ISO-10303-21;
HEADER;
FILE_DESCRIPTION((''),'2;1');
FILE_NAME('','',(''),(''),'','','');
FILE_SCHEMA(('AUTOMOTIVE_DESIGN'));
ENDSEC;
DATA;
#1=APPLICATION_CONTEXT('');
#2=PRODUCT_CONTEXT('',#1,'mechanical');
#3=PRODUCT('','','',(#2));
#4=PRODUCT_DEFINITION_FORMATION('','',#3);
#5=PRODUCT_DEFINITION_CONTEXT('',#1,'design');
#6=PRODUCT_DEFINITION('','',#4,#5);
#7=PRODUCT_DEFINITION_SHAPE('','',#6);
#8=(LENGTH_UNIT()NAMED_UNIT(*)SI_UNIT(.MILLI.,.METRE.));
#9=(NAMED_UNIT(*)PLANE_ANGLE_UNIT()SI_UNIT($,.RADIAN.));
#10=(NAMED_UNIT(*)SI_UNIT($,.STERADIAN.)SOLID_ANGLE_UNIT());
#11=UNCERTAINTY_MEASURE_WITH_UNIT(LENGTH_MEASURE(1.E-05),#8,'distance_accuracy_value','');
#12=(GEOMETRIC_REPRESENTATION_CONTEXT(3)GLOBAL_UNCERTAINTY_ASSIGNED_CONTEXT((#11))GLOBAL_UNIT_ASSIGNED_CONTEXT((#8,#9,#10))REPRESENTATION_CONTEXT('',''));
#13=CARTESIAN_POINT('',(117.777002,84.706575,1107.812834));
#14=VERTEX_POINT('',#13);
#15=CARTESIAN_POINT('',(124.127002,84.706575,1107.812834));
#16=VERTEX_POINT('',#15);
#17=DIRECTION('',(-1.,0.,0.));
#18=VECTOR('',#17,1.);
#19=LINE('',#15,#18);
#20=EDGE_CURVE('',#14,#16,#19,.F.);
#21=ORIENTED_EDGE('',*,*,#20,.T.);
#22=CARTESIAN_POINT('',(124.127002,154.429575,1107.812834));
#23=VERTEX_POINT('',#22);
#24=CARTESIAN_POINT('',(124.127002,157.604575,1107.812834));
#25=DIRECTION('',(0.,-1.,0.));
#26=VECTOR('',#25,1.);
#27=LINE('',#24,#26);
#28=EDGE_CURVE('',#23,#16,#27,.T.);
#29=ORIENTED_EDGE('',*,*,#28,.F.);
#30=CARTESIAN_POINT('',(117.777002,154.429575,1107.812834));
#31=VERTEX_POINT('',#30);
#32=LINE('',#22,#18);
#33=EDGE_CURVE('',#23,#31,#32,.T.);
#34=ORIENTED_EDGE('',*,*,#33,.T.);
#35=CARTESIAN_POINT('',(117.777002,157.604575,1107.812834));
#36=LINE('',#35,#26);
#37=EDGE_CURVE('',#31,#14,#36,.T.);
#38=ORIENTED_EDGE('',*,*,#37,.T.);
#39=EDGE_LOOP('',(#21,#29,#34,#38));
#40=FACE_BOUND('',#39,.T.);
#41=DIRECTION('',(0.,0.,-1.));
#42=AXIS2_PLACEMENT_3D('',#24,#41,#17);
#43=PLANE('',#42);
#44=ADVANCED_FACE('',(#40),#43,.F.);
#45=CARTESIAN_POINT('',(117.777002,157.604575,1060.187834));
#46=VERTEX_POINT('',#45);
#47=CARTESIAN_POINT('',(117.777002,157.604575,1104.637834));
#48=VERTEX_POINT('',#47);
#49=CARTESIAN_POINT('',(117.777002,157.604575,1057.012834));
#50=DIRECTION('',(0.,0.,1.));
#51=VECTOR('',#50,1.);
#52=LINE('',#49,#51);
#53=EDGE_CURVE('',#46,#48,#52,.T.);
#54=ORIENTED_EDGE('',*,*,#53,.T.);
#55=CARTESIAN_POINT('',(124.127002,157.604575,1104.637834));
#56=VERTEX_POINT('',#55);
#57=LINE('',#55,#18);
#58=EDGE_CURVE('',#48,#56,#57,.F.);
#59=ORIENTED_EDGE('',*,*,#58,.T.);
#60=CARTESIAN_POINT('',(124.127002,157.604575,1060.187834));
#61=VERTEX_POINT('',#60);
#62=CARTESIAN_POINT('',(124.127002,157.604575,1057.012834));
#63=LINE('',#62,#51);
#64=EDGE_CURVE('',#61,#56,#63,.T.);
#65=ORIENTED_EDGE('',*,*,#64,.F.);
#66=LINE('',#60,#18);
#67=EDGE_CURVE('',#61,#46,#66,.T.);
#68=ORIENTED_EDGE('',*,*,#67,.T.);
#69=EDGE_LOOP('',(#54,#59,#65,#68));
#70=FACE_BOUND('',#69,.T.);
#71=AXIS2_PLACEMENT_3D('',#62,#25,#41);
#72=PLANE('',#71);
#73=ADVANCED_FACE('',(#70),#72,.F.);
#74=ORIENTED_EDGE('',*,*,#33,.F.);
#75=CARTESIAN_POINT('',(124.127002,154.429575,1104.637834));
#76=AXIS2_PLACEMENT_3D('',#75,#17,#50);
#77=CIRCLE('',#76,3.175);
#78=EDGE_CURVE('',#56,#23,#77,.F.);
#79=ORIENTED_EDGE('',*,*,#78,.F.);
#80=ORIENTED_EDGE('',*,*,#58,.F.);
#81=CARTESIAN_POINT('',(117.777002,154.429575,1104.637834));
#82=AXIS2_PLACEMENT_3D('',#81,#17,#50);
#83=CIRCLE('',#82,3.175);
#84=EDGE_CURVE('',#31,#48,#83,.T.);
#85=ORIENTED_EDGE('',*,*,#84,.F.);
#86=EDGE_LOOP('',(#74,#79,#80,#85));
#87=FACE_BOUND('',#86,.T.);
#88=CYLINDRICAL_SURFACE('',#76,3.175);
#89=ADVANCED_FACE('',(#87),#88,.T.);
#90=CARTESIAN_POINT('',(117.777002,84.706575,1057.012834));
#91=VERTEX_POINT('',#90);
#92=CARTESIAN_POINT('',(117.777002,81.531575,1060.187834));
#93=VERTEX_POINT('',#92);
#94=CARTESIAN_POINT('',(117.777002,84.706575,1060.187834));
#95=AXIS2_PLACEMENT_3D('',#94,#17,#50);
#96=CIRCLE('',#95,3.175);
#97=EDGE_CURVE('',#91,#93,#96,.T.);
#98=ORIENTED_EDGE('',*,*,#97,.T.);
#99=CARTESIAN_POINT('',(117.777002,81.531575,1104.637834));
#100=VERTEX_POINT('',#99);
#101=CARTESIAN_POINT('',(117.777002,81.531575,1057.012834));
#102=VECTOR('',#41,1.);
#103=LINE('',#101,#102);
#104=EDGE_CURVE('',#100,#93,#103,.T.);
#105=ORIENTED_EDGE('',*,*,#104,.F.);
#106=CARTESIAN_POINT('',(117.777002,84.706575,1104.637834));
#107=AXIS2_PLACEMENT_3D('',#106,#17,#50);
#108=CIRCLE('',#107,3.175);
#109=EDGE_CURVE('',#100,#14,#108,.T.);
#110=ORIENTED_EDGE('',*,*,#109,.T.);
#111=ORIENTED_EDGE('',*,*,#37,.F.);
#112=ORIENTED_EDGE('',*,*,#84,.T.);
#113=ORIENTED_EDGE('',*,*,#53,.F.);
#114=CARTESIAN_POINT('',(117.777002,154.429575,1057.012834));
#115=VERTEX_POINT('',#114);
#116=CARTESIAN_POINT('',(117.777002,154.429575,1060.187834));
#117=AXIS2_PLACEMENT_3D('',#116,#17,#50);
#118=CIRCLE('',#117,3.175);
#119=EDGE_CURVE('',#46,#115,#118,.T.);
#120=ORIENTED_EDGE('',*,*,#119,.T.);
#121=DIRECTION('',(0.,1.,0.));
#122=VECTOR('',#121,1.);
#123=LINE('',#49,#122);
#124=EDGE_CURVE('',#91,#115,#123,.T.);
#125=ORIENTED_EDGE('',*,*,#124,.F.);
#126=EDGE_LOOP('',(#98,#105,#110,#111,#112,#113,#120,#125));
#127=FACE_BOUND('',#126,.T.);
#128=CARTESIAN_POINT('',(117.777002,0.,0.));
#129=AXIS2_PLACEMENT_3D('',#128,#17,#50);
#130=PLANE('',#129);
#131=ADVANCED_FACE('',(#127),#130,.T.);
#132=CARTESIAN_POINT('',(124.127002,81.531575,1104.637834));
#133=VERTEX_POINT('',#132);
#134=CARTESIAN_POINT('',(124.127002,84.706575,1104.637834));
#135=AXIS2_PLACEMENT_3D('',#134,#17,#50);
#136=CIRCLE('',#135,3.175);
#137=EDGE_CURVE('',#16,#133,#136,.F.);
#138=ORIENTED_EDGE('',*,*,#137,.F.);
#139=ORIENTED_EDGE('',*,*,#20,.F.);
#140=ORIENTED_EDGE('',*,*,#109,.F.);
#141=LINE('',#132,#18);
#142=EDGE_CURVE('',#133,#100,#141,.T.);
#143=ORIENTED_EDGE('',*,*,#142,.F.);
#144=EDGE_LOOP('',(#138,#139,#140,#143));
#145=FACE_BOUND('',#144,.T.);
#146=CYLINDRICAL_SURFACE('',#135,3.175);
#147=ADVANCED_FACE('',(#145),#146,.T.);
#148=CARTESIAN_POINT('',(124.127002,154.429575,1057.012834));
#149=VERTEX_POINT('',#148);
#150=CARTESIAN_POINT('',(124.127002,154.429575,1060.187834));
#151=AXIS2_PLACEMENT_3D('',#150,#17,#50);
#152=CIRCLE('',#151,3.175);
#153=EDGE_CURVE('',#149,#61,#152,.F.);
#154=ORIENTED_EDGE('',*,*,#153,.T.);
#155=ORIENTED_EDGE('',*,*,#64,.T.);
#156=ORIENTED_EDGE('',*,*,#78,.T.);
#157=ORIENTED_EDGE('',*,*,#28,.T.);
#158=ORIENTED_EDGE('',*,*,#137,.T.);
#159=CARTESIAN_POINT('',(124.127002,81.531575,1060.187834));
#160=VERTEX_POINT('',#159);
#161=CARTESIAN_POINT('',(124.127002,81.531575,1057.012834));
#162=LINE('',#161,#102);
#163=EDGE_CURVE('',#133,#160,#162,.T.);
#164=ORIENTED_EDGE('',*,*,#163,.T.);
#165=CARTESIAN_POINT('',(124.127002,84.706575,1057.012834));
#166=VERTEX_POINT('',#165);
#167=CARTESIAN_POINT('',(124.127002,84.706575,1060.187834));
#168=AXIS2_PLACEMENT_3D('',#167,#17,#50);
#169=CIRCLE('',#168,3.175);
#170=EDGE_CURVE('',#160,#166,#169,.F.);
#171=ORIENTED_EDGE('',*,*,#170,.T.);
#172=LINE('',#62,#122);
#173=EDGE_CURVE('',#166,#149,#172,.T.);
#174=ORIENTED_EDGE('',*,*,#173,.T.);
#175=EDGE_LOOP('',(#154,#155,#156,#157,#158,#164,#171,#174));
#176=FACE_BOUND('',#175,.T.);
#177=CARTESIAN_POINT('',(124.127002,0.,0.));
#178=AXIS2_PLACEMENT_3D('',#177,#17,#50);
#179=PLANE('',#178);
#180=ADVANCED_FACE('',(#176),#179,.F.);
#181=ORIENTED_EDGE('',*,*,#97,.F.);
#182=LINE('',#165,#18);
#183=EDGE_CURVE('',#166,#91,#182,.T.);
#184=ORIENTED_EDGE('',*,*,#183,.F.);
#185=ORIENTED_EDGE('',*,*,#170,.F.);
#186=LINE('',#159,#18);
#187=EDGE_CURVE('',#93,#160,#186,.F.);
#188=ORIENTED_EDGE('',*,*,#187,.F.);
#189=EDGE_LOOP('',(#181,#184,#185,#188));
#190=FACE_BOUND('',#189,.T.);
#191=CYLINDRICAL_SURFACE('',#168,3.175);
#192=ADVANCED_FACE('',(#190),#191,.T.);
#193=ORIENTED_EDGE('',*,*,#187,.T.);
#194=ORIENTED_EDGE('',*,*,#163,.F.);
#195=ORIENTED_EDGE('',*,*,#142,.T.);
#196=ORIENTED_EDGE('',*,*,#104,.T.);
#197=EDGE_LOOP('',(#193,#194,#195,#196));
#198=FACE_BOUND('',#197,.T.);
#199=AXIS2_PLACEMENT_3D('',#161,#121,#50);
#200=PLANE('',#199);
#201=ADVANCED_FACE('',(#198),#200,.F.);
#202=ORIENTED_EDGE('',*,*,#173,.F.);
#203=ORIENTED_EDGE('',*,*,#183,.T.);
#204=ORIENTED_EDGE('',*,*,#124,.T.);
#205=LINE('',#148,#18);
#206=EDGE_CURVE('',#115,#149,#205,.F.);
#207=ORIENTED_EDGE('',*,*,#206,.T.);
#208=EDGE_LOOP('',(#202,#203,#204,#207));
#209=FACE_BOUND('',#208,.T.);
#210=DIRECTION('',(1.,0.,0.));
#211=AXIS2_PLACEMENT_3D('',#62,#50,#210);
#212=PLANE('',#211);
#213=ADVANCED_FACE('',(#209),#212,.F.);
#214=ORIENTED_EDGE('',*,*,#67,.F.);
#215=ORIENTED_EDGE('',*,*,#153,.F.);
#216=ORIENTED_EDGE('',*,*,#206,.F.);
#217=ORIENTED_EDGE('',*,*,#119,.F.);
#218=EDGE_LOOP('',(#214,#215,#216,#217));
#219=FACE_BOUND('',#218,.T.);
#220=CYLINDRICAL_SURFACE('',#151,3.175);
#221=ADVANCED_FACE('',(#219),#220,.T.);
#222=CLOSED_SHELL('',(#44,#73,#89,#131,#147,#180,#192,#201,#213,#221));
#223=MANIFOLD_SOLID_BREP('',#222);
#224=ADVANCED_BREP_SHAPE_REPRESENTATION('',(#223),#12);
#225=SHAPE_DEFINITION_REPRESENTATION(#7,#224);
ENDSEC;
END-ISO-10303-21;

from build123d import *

# Parameters (mm, degrees)
BOSS_EXTRUDE1_START = 117.777002
SKETCH1_W           = 50.8
SKETCH1_H           = 76.073
BOSS_EXTRUDE1_DEPTH = 6.35
FILLET1_R           = 3.175


with BuildPart() as part:
    # Sketch1 → Boss-Extrude1 (new body)
    with BuildSketch(Plane(origin=(0, 0, 0), x_dir=(0, 0, -1), z_dir=(1, 0, 0)).offset(BOSS_EXTRUDE1_START)):
        with Locations((-1082.412834154, 119.568074554)):
            Rectangle(SKETCH1_W, SKETCH1_H)
    extrude(amount=BOSS_EXTRUDE1_DEPTH)

    # Fillet1
    fillet1_edges = [part.edges().sort_by_distance(p)[0] for p in [
        (120.952002, 81.531574554, 1057.012834154),
        (120.952002, 81.531574554, 1107.812834154),
        (120.952002, 157.604574554, 1107.812834154),
        (120.952002, 157.604574554, 1057.012834154),
    ]]
    fillet(fillet1_edges, radius=FILLET1_R)


solid = part.part
